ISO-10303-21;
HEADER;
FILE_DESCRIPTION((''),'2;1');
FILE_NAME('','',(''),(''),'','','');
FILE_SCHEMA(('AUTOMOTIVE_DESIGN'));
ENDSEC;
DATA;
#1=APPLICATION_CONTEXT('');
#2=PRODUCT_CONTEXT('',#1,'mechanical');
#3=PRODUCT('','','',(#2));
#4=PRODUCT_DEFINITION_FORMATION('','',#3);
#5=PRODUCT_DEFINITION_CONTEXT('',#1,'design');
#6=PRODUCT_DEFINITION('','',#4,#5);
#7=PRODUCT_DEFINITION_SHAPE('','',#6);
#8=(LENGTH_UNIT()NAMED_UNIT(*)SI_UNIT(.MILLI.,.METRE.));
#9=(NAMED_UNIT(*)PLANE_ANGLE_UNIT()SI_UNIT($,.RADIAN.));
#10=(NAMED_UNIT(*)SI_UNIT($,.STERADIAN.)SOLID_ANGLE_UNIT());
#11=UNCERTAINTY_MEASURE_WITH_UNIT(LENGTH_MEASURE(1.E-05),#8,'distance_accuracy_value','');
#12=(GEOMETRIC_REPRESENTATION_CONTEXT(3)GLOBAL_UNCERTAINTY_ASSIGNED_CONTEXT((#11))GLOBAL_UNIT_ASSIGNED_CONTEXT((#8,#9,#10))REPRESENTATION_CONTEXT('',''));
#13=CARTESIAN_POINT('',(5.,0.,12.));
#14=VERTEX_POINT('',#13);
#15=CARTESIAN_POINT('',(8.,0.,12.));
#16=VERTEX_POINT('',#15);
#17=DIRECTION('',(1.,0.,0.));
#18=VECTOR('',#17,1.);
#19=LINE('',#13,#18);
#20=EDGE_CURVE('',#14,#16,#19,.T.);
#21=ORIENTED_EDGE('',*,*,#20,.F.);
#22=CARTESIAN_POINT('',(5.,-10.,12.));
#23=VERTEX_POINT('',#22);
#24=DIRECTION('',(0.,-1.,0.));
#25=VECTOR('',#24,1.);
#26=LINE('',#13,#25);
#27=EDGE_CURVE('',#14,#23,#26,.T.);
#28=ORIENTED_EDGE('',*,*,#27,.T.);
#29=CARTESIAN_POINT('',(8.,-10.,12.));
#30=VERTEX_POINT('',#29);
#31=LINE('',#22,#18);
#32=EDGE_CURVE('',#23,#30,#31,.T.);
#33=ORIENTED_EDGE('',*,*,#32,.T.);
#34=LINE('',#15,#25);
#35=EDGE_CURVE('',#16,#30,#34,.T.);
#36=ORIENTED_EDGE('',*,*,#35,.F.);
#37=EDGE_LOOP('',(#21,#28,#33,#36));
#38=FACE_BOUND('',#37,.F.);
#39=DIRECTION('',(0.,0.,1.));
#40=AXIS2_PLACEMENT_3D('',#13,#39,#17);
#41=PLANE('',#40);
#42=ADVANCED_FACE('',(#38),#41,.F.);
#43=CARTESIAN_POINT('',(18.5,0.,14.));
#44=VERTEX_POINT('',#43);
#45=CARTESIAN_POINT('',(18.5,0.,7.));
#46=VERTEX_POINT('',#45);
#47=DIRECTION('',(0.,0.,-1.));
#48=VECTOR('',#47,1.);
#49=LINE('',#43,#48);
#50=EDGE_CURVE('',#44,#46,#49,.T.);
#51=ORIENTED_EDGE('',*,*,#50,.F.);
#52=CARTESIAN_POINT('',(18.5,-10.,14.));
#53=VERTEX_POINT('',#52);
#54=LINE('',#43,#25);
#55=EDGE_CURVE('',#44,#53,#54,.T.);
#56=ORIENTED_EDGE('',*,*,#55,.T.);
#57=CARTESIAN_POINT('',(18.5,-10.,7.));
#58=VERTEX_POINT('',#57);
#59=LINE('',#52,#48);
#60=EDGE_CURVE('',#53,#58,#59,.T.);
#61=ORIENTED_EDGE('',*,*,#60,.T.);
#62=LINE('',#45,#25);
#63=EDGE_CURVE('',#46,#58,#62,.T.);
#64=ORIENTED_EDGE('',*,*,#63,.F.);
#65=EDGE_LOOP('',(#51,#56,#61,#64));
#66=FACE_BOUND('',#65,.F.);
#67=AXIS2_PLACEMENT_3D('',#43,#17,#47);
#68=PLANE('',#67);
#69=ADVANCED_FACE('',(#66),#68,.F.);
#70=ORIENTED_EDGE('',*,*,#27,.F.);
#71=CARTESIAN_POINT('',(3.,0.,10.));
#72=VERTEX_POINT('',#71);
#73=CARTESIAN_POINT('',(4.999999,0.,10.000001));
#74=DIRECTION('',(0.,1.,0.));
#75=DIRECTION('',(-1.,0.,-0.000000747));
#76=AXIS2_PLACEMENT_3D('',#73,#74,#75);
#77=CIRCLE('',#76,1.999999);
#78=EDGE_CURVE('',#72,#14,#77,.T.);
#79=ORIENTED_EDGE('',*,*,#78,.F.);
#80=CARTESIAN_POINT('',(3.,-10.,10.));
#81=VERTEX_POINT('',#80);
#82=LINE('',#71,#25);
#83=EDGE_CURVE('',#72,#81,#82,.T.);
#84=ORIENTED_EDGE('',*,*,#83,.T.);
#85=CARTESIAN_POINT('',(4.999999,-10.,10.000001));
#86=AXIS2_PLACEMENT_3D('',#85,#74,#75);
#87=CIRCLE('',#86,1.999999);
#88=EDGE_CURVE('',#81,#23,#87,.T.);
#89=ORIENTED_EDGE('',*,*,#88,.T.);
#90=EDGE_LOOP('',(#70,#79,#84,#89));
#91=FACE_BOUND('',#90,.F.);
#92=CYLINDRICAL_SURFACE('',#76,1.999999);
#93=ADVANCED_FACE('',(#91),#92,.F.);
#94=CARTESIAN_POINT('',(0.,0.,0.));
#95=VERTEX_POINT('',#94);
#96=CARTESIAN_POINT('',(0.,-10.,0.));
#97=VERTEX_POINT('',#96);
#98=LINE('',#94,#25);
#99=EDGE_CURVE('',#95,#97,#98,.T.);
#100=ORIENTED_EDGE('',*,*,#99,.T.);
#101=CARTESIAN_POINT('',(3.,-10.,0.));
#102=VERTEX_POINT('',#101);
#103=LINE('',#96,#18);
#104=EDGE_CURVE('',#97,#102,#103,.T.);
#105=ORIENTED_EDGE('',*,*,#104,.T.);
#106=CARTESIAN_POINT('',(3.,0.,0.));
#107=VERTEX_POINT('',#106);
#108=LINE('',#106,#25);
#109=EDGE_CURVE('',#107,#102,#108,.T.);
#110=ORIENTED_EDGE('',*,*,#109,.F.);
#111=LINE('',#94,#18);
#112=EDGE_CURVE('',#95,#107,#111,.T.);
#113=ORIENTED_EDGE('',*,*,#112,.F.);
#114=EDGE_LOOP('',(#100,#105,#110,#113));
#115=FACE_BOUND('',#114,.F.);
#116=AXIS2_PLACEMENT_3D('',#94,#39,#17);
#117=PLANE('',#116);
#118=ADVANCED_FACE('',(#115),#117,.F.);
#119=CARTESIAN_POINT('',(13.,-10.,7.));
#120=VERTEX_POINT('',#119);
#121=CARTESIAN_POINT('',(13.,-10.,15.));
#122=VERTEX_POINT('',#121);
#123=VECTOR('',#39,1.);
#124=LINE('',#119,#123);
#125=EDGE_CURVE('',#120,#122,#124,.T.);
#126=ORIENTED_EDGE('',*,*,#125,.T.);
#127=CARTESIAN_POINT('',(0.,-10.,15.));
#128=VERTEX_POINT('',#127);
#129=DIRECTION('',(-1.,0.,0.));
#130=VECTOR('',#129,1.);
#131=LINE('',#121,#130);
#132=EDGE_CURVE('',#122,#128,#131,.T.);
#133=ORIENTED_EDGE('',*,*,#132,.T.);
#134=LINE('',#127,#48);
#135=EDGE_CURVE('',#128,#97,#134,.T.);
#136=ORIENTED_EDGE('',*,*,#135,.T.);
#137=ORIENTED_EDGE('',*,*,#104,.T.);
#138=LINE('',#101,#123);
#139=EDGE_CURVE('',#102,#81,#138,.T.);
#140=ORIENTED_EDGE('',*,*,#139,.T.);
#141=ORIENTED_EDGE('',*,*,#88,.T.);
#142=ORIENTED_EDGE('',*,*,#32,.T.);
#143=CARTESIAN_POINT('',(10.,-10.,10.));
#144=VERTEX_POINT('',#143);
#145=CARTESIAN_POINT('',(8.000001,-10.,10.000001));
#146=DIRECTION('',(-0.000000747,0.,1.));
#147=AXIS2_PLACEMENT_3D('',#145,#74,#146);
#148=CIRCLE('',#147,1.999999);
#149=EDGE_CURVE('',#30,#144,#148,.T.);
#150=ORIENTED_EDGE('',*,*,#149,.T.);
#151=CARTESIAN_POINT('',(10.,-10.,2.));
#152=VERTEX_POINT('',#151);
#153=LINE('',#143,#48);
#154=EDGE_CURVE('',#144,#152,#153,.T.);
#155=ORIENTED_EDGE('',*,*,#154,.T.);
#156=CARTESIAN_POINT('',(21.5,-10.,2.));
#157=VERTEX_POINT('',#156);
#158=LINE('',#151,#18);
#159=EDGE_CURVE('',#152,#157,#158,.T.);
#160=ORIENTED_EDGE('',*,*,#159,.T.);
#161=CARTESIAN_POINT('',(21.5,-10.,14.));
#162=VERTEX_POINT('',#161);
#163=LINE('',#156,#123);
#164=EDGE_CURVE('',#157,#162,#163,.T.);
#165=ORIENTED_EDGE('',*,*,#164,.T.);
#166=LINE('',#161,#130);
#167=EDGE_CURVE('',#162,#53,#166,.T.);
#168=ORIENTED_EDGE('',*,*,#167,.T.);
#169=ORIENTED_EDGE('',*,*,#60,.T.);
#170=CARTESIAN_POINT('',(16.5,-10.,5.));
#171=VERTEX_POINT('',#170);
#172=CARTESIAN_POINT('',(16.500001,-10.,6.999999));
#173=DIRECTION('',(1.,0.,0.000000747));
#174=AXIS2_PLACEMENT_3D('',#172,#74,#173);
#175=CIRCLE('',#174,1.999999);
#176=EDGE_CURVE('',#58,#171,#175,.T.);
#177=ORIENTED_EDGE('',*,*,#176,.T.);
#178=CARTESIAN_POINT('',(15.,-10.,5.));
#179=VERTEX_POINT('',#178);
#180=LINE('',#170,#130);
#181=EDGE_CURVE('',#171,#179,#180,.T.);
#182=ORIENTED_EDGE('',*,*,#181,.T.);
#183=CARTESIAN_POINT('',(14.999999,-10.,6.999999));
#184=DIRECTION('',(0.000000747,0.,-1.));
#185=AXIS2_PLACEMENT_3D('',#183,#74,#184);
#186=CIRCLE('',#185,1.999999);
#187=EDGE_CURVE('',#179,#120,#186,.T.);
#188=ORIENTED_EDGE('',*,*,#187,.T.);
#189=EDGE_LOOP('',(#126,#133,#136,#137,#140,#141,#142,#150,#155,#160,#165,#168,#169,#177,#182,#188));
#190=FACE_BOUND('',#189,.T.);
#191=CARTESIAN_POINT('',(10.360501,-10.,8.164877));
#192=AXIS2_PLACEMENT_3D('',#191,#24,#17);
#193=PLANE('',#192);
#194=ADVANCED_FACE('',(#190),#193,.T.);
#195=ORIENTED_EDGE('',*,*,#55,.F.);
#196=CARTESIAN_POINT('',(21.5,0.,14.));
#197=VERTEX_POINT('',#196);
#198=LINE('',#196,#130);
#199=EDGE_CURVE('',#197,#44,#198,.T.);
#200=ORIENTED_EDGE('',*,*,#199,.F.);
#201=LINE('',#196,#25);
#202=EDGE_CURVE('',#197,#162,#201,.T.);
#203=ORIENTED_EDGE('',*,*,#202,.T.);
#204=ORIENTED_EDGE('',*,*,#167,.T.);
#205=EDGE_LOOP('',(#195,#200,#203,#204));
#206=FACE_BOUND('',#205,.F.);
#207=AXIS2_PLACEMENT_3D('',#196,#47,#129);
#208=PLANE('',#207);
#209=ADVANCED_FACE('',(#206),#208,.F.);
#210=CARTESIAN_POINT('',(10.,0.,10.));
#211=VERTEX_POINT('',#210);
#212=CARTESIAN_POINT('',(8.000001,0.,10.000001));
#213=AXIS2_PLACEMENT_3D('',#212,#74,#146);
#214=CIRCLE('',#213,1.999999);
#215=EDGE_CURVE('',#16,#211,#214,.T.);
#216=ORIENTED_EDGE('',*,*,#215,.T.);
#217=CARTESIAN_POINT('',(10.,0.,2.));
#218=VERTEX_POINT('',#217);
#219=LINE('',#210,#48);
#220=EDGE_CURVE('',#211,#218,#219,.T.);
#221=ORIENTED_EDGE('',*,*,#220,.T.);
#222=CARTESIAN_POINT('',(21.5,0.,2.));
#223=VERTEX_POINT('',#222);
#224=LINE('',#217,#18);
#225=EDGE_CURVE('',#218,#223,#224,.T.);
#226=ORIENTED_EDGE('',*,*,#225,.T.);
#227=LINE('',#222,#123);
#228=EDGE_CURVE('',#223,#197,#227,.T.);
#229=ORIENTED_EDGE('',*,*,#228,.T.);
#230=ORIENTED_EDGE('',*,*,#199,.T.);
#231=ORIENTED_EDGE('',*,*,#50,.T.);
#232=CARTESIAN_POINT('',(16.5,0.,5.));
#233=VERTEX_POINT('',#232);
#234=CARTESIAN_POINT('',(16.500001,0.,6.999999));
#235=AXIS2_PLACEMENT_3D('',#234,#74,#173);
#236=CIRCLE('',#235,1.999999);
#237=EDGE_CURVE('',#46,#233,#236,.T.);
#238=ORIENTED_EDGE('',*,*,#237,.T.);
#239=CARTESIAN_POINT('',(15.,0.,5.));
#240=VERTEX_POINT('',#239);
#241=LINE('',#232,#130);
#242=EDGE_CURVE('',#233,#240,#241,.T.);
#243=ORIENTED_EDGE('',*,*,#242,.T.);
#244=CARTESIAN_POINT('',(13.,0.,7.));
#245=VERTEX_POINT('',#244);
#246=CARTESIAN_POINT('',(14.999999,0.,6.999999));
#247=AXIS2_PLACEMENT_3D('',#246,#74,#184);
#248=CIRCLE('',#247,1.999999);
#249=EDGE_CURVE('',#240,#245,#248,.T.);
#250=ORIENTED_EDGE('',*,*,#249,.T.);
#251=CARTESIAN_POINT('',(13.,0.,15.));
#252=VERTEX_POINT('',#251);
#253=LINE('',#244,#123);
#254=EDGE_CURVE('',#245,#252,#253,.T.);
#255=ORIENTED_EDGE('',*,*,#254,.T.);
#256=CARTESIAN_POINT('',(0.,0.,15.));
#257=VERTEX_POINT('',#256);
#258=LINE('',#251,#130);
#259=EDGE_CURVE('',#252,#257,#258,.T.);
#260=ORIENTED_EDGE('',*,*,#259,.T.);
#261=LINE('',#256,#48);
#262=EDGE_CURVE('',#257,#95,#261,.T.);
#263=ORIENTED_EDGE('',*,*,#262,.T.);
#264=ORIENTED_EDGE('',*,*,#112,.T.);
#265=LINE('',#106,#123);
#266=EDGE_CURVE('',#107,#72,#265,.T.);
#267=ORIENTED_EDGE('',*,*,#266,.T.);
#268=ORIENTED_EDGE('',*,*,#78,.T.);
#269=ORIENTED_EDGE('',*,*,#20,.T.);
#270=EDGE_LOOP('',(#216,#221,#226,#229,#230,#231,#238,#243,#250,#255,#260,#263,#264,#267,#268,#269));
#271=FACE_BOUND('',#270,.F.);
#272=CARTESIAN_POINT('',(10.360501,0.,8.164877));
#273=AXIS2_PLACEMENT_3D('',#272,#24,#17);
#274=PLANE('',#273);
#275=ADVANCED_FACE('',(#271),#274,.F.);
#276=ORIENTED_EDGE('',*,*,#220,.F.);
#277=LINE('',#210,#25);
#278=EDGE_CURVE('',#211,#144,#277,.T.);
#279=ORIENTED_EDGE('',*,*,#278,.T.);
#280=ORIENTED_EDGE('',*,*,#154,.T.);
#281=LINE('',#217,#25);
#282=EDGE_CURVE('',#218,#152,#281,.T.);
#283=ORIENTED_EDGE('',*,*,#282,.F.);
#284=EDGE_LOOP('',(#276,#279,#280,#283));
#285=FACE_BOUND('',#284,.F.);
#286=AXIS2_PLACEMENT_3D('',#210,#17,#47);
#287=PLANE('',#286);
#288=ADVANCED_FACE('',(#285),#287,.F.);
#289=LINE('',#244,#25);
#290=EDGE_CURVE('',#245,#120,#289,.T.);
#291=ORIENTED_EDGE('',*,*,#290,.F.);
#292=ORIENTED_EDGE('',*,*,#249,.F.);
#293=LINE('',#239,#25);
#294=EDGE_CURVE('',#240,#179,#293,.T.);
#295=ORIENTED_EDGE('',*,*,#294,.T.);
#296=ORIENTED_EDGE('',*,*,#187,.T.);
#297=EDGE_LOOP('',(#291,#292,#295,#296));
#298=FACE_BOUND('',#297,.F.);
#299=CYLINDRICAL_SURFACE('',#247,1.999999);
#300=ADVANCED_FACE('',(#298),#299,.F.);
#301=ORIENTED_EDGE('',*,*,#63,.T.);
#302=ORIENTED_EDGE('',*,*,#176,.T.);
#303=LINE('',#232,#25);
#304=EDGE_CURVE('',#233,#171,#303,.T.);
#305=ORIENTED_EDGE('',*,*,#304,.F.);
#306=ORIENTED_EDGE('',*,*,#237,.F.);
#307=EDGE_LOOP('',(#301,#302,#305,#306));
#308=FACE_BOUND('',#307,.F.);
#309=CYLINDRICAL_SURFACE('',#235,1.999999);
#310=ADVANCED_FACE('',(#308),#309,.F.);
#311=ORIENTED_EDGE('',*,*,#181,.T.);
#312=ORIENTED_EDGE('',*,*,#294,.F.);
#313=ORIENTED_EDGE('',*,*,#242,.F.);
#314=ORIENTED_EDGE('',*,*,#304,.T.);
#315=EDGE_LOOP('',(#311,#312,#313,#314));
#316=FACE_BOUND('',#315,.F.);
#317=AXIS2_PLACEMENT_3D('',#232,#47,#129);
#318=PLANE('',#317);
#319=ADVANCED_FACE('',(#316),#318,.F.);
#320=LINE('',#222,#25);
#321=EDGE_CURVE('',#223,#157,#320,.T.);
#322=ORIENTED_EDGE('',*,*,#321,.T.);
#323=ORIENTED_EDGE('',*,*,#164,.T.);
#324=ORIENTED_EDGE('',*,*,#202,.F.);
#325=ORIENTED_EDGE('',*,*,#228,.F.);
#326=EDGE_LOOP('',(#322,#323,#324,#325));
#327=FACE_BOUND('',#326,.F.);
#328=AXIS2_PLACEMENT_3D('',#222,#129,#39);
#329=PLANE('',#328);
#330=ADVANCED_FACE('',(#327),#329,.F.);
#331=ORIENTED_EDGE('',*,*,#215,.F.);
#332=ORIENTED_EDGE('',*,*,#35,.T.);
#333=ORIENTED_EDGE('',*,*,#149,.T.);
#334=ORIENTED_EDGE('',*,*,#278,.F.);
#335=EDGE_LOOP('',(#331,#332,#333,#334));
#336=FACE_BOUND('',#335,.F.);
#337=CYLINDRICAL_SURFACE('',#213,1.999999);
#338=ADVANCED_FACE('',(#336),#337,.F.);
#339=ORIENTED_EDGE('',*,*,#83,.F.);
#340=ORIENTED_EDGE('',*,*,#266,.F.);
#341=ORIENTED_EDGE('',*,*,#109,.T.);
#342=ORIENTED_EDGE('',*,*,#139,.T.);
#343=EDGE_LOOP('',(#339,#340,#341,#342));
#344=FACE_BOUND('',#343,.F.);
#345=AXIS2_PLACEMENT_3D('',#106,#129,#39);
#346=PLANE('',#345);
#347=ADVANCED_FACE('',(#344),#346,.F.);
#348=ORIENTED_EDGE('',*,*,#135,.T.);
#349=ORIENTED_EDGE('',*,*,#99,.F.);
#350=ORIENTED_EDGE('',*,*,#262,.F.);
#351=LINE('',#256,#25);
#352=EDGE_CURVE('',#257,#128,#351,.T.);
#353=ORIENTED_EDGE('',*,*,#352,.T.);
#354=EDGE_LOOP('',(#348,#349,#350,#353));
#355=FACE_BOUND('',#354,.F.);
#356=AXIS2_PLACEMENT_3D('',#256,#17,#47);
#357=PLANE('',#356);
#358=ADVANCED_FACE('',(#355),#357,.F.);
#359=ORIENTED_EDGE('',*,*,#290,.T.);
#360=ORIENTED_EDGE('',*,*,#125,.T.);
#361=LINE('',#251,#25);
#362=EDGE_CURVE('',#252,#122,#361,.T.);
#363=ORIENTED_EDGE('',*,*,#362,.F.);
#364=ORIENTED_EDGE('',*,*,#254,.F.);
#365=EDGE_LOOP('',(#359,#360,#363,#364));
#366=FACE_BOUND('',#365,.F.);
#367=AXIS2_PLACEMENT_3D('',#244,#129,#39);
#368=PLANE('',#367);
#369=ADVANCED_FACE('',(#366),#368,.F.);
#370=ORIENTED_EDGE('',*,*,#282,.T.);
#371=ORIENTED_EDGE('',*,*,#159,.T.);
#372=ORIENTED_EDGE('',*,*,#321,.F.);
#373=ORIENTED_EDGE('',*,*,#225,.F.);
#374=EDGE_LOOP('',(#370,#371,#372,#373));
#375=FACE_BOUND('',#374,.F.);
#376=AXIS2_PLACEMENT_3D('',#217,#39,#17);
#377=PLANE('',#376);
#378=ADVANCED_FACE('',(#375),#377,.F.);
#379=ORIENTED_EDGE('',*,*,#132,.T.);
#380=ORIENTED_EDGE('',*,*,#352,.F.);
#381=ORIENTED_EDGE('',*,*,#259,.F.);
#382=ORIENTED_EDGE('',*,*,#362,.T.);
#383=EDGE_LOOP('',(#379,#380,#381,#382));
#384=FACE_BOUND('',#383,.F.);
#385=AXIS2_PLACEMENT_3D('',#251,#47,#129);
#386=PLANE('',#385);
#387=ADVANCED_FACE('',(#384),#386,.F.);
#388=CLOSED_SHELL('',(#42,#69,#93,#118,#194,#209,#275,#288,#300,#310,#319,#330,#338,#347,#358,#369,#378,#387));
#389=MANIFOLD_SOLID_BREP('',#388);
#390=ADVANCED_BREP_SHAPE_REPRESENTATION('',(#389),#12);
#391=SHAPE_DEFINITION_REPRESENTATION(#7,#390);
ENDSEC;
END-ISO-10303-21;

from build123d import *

# Parameters (mm, degrees)
F1_DEPTH = 10


with BuildPart() as f1:
    # F0 (on Front) → F1 (new body)
    with BuildSketch(Plane.XZ):
        with BuildLine():
            Line((0, 15), (0, 0))
            Line((0, 0), (3, 0))
            Line((3, 0), (3, 10))
            ThreePointArc((3, 10), (3.585786, 11.414214), (5, 12))
            Line((5, 12), (8, 12))
            ThreePointArc((8, 12), (9.414214, 11.414214), (10, 10))
            Line((10, 10), (10, 2))
            Line((10, 2), (21.5, 2))
            Line((21.5, 2), (21.5, 14))
            Line((21.5, 14), (18.5, 14))
            Line((18.5, 14), (18.5, 7))
            ThreePointArc((18.5, 7), (17.914214, 5.585786), (16.5, 5))
            Line((16.5, 5), (15, 5))
            ThreePointArc((15, 5), (13.585786, 5.585786), (13, 7))
            Line((13, 7), (13, 15))
            Line((13, 15), (0, 15))
        make_face()
    extrude(amount=F1_DEPTH)


solid = f1.part
